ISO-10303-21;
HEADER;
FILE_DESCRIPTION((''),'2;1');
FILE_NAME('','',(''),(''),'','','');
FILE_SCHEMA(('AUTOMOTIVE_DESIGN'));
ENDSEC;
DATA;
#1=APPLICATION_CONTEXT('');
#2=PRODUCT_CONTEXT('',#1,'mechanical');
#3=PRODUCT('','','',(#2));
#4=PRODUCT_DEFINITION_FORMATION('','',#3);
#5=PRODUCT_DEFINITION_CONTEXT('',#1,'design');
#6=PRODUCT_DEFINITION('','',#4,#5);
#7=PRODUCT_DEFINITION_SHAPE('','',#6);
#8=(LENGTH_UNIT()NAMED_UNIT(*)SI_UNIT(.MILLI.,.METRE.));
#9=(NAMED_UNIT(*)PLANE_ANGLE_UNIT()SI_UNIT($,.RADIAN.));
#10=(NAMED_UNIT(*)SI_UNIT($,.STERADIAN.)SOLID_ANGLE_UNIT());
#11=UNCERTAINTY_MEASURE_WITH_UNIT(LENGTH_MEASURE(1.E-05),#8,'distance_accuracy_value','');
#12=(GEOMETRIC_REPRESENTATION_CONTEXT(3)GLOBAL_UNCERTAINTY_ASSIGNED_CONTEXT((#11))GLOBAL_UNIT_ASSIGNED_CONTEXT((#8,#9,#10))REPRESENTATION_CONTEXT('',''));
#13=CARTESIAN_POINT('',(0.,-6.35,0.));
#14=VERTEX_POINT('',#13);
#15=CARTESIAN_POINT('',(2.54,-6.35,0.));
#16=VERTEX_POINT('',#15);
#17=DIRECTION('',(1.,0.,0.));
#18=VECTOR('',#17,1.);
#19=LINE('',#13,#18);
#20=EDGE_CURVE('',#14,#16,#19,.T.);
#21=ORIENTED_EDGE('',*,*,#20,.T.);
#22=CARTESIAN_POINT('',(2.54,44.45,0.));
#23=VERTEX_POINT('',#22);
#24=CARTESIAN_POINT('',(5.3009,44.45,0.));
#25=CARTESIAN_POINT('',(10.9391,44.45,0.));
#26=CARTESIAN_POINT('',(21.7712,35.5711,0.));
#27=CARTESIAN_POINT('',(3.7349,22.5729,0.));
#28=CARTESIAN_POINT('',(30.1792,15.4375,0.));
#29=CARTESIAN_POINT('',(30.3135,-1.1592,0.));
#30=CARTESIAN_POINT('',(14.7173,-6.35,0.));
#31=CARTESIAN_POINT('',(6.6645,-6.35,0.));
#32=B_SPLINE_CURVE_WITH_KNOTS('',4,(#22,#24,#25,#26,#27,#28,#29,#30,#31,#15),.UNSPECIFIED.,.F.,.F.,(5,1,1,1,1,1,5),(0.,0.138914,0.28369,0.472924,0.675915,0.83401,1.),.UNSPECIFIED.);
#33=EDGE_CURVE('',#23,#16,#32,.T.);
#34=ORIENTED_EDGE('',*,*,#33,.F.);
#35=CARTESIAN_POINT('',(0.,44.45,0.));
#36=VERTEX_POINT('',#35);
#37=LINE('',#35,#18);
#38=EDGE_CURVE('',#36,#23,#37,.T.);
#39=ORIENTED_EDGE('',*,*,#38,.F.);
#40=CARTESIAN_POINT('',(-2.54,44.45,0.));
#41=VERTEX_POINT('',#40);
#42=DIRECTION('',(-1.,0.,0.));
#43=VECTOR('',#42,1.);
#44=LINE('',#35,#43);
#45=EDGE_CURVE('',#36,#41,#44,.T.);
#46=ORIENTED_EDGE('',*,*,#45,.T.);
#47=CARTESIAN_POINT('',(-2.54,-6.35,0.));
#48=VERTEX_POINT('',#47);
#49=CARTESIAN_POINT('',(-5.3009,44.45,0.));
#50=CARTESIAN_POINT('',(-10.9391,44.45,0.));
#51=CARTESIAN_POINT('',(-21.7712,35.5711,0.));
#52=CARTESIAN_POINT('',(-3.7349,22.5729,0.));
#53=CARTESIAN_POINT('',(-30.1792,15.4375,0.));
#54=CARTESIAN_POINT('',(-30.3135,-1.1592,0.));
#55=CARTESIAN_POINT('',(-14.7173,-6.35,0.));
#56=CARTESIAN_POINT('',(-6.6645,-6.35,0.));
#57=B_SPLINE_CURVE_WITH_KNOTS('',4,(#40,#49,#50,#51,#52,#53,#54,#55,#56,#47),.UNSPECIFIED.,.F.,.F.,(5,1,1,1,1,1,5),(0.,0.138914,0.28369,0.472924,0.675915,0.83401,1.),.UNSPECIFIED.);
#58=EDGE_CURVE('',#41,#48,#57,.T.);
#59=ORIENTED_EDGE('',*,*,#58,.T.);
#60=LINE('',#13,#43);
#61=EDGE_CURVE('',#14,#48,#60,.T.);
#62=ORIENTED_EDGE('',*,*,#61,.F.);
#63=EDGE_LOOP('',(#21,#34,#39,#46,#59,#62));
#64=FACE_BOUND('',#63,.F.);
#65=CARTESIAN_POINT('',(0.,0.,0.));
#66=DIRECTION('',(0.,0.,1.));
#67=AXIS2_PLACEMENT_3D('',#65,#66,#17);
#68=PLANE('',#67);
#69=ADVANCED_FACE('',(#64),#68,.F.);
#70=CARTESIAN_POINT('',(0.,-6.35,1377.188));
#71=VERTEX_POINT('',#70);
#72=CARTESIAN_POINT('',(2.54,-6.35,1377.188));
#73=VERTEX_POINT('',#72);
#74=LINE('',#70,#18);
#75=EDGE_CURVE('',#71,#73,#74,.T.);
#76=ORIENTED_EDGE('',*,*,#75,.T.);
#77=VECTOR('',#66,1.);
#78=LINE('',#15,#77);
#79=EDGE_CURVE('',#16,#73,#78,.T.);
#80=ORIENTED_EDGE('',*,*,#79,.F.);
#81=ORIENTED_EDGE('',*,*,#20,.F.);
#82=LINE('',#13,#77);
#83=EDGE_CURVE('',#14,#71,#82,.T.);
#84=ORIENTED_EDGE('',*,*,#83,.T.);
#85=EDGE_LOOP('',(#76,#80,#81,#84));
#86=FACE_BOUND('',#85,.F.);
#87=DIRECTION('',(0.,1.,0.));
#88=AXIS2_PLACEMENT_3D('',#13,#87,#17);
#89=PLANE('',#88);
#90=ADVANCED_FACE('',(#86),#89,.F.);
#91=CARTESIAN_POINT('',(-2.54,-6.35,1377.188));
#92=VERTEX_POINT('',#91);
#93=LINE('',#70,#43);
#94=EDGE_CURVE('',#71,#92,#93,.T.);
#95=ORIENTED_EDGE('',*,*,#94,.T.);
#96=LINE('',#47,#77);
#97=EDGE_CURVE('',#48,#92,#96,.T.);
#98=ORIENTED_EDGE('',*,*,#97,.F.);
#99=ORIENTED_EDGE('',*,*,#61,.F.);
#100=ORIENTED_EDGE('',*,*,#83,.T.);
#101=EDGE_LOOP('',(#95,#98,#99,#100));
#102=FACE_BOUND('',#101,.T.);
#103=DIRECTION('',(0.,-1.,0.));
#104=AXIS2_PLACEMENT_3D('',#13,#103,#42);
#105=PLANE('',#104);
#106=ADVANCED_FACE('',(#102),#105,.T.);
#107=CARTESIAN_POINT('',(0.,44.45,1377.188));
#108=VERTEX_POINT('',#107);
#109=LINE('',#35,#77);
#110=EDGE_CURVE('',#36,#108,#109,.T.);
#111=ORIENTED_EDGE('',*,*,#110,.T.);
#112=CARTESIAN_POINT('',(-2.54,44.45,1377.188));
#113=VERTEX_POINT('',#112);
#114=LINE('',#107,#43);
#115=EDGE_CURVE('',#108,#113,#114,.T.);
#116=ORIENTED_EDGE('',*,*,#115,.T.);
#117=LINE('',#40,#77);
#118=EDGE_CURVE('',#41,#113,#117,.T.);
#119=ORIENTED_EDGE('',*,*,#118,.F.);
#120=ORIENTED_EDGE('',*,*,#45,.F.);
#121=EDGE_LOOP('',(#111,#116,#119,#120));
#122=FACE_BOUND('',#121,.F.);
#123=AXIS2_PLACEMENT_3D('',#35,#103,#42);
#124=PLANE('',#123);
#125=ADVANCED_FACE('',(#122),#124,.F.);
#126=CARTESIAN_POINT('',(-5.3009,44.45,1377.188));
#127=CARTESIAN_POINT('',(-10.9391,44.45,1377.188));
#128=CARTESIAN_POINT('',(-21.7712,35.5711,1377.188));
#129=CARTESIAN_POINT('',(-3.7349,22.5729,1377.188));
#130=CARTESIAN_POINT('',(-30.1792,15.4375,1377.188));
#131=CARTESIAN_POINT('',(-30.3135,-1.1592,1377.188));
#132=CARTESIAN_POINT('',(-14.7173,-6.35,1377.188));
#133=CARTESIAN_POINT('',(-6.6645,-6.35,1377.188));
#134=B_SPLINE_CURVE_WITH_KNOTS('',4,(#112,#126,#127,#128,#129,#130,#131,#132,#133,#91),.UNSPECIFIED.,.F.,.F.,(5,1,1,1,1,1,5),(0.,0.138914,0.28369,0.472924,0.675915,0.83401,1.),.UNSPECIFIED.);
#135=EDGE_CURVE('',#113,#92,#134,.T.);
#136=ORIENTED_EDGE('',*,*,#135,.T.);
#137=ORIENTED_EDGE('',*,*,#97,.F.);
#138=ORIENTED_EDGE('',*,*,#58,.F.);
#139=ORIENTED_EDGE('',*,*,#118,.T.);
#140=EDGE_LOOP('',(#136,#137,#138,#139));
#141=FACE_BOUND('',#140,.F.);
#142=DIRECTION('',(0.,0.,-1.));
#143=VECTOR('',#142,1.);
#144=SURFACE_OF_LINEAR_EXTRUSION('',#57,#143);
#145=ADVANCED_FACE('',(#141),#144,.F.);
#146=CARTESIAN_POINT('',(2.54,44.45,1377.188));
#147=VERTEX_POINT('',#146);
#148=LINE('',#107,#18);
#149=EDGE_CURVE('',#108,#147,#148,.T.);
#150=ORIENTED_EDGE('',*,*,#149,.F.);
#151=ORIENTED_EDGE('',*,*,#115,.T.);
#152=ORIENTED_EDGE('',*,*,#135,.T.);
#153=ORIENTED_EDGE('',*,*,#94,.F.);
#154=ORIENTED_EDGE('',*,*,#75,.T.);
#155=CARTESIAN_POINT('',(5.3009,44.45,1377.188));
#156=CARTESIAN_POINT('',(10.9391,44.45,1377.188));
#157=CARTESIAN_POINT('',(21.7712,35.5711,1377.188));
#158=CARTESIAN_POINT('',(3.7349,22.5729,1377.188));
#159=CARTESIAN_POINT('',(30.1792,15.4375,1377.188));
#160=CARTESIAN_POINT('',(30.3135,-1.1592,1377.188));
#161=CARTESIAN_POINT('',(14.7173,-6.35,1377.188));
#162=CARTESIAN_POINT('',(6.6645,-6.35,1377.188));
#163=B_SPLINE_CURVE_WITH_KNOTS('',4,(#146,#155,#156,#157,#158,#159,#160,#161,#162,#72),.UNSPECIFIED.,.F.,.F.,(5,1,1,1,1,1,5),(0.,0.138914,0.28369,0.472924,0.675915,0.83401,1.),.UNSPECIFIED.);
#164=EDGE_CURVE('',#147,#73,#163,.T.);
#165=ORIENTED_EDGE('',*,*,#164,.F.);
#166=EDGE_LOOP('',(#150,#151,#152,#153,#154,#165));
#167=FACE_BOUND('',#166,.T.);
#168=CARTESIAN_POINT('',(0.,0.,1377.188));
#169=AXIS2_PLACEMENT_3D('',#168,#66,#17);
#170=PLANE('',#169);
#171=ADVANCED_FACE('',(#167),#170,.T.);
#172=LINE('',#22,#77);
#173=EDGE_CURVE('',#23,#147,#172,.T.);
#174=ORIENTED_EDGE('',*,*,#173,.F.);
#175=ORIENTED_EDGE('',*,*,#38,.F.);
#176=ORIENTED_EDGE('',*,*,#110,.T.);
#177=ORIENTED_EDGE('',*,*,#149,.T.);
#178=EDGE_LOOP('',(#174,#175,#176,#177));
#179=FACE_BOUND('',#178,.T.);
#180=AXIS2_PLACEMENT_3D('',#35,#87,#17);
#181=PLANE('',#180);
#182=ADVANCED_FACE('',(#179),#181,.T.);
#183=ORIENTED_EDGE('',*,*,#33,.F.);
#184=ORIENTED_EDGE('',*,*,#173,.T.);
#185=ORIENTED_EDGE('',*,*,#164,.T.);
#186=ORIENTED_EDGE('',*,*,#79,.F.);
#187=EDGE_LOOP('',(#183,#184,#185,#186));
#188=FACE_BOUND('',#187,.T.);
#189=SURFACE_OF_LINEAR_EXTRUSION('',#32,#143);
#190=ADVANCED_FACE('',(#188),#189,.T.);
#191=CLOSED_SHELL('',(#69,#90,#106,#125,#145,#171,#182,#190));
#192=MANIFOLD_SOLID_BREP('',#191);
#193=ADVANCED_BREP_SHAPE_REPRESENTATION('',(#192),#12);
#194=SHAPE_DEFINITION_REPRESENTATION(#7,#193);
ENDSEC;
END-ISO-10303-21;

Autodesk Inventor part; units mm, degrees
ref_plane "YZ Plane" through (0, 0, 0) normal (1, 0, 0) x (0, 1, 0)
ref_plane "XZ Plane" through (0, 0, 0) normal (0, 1, 0) x (-1, 0, 0)
ref_plane "XY Plane" through (0, 0, 0) normal (0, 0, 1) x (1, 0, 0)
sketch "Sketch1" plane through (0, 0, 0) normal (0, 0, 1) x (1, 0, 0)
  line L0 (0, 0) -> (25.4, 0) construction
  line L1 (0, 38.1) -> (15.24, 38.1) construction
  line L2 (0, 25.4) -> (12.7, 25.4) construction
  line L3 (0, 44.45) -> (2.54, 44.45)
  line L4 (0, -6.35) -> (2.54, -6.35)
  line L5 (0, 12.7) -> (25.4, 12.7) construction
  line L6 (0, 44.45) -> (0, -6.35) construction
  spline S0 degree 4 poles (2.54, 44.45) (5.3009, 44.45) (10.9391, 44.45) (21.7712, 35.5711) (3.7349, 22.5729) (30.1792, 15.4375) (30.3135, -1.1592) (14.7173, -6.35) (6.6645, -6.35) (2.54, -6.35) knots 0 0 0 0 0 0.138914 0.28369 0.472924 0.675915 0.83401 1 1 1 1 1
  line L7 (0, 44.45) -> (-2.54, 44.45)
  line L8 (0, -6.35) -> (-2.54, -6.35)
  spline S1 degree 4 poles (-2.54, 44.45) (-5.3009, 44.45) (-10.9391, 44.45) (-21.7712, 35.5711) (-3.7349, 22.5729) (-30.1792, 15.4375) (-30.3135, -1.1592) (-14.7173, -6.35) (-6.6645, -6.35) (-2.54, -6.35) knots 0 0 0 0 0 0.138914 0.28369 0.472924 0.675915 0.83401 1 1 1 1 1
  point P0 (-25.4, 0)
  point P1 (-15.24, 38.1)
  point P2 (-12.7, 25.4)
  point P3 (-25.4, 12.7)
  dimension "d0" = 25.4
  dimension "d2" = 15.24
  dimension "d3" = 12.7
  dimension "d9" = 2.54
  dimension "d10" = 2.54
  dimension "d11" = 25.4
  dimension "d13" = 6.35
  dimension "d14" = 12.7
  dimension "d15" = 12.7
  dimension "d16" = 12.7
  dimension "d17" = 6.35
extrude "Extrusion1" add sketch "Sketch1" along normal blind 1377.188
properties part number "Side Railing" material "Wood (Cherry)"
